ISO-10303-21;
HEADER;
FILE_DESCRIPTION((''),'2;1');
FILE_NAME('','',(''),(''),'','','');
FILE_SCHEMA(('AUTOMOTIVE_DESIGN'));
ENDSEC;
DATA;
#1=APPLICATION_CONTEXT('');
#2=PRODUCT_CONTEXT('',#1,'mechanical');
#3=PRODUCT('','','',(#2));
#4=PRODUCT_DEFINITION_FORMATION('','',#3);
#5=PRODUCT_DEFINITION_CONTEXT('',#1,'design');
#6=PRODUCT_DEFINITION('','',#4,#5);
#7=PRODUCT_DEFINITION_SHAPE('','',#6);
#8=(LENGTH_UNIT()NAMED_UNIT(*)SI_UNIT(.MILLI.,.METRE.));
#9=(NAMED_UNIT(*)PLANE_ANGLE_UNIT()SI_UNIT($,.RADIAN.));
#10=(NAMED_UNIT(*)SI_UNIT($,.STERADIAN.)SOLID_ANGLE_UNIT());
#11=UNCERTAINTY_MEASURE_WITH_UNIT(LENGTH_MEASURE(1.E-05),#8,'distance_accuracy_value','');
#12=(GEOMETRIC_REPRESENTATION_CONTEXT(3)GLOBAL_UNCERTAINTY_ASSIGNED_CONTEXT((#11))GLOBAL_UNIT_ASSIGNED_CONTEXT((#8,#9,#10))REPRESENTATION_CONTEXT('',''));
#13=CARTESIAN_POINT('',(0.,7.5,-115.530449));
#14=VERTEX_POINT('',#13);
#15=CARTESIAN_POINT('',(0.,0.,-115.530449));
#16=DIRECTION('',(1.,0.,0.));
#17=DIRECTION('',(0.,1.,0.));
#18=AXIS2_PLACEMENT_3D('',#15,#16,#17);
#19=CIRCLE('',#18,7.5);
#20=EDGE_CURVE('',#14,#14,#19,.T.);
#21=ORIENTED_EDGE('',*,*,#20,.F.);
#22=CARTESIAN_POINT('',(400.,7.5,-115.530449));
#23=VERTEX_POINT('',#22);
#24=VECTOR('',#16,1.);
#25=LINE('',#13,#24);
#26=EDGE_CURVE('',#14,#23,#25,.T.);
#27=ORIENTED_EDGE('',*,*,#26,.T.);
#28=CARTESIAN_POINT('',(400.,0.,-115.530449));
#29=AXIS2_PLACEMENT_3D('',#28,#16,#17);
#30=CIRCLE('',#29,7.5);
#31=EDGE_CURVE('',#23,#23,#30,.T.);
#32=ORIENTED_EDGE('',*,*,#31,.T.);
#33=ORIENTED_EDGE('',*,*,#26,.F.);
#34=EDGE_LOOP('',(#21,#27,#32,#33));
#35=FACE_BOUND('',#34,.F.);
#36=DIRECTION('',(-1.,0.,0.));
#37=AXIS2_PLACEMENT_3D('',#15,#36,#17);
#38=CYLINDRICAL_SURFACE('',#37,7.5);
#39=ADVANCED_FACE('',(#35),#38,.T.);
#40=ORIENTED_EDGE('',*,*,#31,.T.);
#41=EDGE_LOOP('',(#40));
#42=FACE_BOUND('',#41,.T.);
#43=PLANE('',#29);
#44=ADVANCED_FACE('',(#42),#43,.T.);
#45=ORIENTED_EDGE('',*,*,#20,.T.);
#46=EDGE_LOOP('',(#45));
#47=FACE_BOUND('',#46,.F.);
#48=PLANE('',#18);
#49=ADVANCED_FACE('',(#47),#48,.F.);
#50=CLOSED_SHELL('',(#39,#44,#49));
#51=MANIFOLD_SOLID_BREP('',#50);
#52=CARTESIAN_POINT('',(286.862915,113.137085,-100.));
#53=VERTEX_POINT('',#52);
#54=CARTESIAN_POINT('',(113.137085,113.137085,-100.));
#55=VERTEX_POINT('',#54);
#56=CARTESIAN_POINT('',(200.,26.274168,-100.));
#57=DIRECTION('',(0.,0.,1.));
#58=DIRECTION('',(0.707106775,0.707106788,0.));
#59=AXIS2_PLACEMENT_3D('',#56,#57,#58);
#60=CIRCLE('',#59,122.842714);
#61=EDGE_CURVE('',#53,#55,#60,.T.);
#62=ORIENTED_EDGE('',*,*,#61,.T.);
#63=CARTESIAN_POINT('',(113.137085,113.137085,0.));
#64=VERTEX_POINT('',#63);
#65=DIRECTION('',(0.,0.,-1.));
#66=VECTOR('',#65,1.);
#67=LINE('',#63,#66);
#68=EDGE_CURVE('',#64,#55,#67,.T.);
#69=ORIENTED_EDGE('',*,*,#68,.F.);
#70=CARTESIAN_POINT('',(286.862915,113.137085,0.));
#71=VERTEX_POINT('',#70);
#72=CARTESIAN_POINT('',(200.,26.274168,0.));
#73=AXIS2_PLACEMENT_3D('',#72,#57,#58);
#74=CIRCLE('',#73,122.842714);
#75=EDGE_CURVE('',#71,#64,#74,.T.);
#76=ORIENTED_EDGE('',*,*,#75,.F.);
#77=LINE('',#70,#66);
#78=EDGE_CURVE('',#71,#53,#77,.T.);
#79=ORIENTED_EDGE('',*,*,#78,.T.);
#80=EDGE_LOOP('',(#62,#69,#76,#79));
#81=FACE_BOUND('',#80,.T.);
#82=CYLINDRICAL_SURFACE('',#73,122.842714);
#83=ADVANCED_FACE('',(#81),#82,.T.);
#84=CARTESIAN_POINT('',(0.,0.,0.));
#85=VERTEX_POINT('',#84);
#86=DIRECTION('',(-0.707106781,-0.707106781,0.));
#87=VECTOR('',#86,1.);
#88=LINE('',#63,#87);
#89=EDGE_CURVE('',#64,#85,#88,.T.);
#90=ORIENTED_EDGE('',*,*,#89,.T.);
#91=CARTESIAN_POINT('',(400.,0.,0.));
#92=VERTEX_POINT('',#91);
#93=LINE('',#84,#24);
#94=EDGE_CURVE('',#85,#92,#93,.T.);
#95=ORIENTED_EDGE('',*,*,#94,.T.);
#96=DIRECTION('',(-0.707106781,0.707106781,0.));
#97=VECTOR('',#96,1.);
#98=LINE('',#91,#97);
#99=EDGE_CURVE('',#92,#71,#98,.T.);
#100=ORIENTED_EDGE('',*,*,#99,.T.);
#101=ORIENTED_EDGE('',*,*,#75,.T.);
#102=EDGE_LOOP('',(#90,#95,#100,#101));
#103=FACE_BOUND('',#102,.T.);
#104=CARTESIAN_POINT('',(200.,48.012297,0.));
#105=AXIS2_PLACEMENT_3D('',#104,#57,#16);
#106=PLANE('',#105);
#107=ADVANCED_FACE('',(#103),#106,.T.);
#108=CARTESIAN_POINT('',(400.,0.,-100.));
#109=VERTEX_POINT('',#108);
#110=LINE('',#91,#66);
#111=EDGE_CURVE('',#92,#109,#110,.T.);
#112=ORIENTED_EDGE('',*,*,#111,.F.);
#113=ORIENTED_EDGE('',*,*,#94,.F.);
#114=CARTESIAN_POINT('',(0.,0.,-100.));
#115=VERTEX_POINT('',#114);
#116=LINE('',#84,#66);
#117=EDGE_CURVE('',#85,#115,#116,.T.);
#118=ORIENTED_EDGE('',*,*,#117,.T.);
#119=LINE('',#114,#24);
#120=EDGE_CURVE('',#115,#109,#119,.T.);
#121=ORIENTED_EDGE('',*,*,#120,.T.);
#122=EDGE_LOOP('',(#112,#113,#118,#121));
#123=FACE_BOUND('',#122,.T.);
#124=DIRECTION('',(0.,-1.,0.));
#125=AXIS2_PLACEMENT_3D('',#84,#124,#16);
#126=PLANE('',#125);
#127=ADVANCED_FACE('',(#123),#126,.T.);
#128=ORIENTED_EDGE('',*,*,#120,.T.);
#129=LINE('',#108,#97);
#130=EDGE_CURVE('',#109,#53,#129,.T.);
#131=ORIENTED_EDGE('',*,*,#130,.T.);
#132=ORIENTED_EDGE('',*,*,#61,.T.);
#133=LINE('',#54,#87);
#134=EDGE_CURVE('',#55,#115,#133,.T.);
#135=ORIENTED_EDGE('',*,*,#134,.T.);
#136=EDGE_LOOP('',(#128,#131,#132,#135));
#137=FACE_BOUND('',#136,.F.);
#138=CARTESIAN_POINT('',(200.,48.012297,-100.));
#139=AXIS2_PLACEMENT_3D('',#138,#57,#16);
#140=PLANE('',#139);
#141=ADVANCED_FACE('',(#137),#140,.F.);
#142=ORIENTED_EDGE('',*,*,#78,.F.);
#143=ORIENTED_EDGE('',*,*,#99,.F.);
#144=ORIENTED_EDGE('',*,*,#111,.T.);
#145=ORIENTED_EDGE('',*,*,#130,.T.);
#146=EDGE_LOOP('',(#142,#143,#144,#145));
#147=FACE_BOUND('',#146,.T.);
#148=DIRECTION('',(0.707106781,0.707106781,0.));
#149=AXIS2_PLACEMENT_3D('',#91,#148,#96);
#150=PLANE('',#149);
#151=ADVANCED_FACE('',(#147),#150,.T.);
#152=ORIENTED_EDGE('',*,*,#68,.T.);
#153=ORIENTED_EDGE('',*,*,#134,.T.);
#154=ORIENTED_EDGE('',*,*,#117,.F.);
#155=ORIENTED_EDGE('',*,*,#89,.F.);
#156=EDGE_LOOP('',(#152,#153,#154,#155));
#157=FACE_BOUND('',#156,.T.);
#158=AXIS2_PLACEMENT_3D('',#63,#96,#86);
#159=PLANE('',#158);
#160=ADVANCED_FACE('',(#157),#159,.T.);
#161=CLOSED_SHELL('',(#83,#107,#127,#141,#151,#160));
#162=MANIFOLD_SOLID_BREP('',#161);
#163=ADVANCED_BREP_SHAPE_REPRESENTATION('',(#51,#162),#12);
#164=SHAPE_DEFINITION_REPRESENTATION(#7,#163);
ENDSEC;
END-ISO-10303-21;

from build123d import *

# Parameters (mm, degrees)
F1_DEPTH = 100
F2_R     = 7.5
F3_DEPTH = 400


with BuildPart() as f1:
    # F0 (on Top) → F1 (new body)
    with BuildSketch(Plane.XY):
        with BuildLine():
            Line((113.137085, 113.137085), (0, 0))
            Line((0, 0), (400, 0))
            Line((400, 0), (286.862915, 113.137085))
            ThreePointArc((286.862915, 113.137085), (200, 149.116882), (113.137085, 113.137085))
        make_face()
    extrude(amount=-F1_DEPTH)


with BuildPart() as f3:
    # F2 (on Right) → F3 (new body)
    with BuildSketch(Plane.YZ):
        with Locations((0, -115.530449)):
            Circle(F2_R)
    extrude(amount=F3_DEPTH)


solid = Compound([f1.part, f3.part])
